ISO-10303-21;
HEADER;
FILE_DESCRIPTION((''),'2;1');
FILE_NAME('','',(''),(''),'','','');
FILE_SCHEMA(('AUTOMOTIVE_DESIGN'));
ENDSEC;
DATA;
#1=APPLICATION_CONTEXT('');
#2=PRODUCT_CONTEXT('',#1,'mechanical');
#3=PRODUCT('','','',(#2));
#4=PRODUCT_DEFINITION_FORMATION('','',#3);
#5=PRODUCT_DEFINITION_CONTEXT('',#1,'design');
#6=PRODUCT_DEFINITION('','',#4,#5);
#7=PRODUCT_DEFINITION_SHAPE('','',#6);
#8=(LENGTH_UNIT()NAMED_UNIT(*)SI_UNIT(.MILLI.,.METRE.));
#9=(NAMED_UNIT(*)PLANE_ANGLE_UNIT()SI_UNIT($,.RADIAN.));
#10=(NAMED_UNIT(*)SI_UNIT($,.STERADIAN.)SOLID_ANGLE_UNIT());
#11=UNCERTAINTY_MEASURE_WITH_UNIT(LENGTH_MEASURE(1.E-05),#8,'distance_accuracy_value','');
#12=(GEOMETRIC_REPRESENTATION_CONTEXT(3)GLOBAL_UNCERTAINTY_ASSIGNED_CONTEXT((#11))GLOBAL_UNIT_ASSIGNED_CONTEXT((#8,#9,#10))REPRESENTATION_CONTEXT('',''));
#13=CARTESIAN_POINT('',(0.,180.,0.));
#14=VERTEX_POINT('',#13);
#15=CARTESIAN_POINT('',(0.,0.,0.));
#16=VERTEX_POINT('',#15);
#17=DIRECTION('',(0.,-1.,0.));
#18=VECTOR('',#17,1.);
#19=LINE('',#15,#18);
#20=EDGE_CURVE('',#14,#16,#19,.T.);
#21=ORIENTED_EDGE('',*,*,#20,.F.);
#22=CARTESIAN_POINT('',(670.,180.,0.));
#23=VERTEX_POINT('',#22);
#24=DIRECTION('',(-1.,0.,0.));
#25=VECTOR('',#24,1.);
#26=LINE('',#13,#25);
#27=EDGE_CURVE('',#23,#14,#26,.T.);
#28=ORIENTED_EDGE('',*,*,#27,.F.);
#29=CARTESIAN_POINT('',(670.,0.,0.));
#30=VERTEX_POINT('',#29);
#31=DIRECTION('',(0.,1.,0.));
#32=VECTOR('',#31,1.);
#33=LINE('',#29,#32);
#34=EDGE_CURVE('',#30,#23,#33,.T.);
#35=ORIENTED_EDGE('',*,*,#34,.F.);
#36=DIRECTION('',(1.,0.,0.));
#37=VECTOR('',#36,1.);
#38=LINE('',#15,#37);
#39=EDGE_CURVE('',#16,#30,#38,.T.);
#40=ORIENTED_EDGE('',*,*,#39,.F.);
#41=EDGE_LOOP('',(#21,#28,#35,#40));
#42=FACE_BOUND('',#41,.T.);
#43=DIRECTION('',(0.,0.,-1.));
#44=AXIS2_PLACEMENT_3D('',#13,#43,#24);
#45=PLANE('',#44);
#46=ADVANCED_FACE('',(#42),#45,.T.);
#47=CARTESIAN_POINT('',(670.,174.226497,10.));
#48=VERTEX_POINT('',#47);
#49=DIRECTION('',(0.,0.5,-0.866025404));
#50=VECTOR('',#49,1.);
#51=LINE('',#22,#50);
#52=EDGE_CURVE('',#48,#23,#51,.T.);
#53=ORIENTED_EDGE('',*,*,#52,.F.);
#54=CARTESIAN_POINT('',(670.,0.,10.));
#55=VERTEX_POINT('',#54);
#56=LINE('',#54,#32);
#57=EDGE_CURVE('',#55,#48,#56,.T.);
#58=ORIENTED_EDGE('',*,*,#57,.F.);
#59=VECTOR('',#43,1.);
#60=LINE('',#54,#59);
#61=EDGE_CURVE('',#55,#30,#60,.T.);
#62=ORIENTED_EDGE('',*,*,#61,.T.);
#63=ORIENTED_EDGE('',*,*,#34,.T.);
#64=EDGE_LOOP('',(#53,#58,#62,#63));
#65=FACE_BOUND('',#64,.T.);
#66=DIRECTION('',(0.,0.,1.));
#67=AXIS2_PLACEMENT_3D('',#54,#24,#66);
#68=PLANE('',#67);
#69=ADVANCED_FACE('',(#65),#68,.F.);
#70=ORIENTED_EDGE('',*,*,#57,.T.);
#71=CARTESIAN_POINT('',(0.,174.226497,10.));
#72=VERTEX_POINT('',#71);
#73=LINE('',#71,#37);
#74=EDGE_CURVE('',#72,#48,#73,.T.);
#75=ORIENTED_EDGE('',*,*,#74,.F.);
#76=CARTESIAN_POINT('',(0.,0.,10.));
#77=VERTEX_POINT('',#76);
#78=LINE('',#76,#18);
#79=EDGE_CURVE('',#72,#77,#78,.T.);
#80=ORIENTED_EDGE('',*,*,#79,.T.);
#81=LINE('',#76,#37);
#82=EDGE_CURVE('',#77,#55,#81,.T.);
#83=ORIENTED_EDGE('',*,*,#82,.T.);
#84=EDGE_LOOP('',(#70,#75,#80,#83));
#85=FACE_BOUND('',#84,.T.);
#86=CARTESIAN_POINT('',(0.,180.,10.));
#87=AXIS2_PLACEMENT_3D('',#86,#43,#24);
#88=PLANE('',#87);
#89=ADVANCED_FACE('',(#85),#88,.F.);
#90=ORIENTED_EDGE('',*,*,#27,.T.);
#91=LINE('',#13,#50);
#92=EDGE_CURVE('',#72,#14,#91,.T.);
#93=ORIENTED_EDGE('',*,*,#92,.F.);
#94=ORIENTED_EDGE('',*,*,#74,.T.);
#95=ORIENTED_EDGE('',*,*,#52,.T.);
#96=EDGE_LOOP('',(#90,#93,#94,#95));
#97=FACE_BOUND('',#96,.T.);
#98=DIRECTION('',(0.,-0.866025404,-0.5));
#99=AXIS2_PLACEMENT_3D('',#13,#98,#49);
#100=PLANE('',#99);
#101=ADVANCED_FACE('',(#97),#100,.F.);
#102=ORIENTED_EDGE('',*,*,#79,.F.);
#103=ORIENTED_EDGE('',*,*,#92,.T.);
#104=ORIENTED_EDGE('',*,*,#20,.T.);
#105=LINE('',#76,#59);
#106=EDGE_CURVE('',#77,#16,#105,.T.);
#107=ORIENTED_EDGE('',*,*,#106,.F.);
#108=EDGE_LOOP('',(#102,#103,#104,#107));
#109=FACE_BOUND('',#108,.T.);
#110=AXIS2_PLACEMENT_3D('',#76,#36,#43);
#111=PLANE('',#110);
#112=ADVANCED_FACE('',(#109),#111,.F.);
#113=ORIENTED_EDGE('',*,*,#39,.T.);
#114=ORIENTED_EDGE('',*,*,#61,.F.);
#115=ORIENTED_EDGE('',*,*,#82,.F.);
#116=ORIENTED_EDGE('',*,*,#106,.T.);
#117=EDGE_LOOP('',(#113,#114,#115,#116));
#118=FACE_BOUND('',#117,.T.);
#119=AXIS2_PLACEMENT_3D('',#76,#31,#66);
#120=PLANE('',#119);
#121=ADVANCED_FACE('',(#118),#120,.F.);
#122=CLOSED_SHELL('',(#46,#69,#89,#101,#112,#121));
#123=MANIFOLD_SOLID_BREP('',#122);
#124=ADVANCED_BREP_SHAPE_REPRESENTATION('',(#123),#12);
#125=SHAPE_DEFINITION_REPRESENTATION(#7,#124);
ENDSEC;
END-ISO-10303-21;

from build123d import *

# Parameters (mm, degrees)
SKETCH1_W      = 670
SKETCH1_H      = 180
EXTRUDE1_DEPTH = 10
EXTRUDE2_DEPTH = 671


with BuildPart() as part:
    # Sketch1 → Extrude1 (new body)
    with BuildSketch(Plane.XY):
        with Locations((335, 90)):
            Rectangle(SKETCH1_W, SKETCH1_H)
    extrude(amount=EXTRUDE1_DEPTH)

    # Sketch2 → Extrude2 (cut, through all)
    with BuildSketch(Plane(origin=(670, 0, 0), x_dir=(0, 0, -1), z_dir=(1, 0, 0))):
        Polygon((0, 180), (-10, 174.226497308), (-10, 180), align=None)
    extrude(amount=-EXTRUDE2_DEPTH, mode=Mode.SUBTRACT)


solid = part.part
